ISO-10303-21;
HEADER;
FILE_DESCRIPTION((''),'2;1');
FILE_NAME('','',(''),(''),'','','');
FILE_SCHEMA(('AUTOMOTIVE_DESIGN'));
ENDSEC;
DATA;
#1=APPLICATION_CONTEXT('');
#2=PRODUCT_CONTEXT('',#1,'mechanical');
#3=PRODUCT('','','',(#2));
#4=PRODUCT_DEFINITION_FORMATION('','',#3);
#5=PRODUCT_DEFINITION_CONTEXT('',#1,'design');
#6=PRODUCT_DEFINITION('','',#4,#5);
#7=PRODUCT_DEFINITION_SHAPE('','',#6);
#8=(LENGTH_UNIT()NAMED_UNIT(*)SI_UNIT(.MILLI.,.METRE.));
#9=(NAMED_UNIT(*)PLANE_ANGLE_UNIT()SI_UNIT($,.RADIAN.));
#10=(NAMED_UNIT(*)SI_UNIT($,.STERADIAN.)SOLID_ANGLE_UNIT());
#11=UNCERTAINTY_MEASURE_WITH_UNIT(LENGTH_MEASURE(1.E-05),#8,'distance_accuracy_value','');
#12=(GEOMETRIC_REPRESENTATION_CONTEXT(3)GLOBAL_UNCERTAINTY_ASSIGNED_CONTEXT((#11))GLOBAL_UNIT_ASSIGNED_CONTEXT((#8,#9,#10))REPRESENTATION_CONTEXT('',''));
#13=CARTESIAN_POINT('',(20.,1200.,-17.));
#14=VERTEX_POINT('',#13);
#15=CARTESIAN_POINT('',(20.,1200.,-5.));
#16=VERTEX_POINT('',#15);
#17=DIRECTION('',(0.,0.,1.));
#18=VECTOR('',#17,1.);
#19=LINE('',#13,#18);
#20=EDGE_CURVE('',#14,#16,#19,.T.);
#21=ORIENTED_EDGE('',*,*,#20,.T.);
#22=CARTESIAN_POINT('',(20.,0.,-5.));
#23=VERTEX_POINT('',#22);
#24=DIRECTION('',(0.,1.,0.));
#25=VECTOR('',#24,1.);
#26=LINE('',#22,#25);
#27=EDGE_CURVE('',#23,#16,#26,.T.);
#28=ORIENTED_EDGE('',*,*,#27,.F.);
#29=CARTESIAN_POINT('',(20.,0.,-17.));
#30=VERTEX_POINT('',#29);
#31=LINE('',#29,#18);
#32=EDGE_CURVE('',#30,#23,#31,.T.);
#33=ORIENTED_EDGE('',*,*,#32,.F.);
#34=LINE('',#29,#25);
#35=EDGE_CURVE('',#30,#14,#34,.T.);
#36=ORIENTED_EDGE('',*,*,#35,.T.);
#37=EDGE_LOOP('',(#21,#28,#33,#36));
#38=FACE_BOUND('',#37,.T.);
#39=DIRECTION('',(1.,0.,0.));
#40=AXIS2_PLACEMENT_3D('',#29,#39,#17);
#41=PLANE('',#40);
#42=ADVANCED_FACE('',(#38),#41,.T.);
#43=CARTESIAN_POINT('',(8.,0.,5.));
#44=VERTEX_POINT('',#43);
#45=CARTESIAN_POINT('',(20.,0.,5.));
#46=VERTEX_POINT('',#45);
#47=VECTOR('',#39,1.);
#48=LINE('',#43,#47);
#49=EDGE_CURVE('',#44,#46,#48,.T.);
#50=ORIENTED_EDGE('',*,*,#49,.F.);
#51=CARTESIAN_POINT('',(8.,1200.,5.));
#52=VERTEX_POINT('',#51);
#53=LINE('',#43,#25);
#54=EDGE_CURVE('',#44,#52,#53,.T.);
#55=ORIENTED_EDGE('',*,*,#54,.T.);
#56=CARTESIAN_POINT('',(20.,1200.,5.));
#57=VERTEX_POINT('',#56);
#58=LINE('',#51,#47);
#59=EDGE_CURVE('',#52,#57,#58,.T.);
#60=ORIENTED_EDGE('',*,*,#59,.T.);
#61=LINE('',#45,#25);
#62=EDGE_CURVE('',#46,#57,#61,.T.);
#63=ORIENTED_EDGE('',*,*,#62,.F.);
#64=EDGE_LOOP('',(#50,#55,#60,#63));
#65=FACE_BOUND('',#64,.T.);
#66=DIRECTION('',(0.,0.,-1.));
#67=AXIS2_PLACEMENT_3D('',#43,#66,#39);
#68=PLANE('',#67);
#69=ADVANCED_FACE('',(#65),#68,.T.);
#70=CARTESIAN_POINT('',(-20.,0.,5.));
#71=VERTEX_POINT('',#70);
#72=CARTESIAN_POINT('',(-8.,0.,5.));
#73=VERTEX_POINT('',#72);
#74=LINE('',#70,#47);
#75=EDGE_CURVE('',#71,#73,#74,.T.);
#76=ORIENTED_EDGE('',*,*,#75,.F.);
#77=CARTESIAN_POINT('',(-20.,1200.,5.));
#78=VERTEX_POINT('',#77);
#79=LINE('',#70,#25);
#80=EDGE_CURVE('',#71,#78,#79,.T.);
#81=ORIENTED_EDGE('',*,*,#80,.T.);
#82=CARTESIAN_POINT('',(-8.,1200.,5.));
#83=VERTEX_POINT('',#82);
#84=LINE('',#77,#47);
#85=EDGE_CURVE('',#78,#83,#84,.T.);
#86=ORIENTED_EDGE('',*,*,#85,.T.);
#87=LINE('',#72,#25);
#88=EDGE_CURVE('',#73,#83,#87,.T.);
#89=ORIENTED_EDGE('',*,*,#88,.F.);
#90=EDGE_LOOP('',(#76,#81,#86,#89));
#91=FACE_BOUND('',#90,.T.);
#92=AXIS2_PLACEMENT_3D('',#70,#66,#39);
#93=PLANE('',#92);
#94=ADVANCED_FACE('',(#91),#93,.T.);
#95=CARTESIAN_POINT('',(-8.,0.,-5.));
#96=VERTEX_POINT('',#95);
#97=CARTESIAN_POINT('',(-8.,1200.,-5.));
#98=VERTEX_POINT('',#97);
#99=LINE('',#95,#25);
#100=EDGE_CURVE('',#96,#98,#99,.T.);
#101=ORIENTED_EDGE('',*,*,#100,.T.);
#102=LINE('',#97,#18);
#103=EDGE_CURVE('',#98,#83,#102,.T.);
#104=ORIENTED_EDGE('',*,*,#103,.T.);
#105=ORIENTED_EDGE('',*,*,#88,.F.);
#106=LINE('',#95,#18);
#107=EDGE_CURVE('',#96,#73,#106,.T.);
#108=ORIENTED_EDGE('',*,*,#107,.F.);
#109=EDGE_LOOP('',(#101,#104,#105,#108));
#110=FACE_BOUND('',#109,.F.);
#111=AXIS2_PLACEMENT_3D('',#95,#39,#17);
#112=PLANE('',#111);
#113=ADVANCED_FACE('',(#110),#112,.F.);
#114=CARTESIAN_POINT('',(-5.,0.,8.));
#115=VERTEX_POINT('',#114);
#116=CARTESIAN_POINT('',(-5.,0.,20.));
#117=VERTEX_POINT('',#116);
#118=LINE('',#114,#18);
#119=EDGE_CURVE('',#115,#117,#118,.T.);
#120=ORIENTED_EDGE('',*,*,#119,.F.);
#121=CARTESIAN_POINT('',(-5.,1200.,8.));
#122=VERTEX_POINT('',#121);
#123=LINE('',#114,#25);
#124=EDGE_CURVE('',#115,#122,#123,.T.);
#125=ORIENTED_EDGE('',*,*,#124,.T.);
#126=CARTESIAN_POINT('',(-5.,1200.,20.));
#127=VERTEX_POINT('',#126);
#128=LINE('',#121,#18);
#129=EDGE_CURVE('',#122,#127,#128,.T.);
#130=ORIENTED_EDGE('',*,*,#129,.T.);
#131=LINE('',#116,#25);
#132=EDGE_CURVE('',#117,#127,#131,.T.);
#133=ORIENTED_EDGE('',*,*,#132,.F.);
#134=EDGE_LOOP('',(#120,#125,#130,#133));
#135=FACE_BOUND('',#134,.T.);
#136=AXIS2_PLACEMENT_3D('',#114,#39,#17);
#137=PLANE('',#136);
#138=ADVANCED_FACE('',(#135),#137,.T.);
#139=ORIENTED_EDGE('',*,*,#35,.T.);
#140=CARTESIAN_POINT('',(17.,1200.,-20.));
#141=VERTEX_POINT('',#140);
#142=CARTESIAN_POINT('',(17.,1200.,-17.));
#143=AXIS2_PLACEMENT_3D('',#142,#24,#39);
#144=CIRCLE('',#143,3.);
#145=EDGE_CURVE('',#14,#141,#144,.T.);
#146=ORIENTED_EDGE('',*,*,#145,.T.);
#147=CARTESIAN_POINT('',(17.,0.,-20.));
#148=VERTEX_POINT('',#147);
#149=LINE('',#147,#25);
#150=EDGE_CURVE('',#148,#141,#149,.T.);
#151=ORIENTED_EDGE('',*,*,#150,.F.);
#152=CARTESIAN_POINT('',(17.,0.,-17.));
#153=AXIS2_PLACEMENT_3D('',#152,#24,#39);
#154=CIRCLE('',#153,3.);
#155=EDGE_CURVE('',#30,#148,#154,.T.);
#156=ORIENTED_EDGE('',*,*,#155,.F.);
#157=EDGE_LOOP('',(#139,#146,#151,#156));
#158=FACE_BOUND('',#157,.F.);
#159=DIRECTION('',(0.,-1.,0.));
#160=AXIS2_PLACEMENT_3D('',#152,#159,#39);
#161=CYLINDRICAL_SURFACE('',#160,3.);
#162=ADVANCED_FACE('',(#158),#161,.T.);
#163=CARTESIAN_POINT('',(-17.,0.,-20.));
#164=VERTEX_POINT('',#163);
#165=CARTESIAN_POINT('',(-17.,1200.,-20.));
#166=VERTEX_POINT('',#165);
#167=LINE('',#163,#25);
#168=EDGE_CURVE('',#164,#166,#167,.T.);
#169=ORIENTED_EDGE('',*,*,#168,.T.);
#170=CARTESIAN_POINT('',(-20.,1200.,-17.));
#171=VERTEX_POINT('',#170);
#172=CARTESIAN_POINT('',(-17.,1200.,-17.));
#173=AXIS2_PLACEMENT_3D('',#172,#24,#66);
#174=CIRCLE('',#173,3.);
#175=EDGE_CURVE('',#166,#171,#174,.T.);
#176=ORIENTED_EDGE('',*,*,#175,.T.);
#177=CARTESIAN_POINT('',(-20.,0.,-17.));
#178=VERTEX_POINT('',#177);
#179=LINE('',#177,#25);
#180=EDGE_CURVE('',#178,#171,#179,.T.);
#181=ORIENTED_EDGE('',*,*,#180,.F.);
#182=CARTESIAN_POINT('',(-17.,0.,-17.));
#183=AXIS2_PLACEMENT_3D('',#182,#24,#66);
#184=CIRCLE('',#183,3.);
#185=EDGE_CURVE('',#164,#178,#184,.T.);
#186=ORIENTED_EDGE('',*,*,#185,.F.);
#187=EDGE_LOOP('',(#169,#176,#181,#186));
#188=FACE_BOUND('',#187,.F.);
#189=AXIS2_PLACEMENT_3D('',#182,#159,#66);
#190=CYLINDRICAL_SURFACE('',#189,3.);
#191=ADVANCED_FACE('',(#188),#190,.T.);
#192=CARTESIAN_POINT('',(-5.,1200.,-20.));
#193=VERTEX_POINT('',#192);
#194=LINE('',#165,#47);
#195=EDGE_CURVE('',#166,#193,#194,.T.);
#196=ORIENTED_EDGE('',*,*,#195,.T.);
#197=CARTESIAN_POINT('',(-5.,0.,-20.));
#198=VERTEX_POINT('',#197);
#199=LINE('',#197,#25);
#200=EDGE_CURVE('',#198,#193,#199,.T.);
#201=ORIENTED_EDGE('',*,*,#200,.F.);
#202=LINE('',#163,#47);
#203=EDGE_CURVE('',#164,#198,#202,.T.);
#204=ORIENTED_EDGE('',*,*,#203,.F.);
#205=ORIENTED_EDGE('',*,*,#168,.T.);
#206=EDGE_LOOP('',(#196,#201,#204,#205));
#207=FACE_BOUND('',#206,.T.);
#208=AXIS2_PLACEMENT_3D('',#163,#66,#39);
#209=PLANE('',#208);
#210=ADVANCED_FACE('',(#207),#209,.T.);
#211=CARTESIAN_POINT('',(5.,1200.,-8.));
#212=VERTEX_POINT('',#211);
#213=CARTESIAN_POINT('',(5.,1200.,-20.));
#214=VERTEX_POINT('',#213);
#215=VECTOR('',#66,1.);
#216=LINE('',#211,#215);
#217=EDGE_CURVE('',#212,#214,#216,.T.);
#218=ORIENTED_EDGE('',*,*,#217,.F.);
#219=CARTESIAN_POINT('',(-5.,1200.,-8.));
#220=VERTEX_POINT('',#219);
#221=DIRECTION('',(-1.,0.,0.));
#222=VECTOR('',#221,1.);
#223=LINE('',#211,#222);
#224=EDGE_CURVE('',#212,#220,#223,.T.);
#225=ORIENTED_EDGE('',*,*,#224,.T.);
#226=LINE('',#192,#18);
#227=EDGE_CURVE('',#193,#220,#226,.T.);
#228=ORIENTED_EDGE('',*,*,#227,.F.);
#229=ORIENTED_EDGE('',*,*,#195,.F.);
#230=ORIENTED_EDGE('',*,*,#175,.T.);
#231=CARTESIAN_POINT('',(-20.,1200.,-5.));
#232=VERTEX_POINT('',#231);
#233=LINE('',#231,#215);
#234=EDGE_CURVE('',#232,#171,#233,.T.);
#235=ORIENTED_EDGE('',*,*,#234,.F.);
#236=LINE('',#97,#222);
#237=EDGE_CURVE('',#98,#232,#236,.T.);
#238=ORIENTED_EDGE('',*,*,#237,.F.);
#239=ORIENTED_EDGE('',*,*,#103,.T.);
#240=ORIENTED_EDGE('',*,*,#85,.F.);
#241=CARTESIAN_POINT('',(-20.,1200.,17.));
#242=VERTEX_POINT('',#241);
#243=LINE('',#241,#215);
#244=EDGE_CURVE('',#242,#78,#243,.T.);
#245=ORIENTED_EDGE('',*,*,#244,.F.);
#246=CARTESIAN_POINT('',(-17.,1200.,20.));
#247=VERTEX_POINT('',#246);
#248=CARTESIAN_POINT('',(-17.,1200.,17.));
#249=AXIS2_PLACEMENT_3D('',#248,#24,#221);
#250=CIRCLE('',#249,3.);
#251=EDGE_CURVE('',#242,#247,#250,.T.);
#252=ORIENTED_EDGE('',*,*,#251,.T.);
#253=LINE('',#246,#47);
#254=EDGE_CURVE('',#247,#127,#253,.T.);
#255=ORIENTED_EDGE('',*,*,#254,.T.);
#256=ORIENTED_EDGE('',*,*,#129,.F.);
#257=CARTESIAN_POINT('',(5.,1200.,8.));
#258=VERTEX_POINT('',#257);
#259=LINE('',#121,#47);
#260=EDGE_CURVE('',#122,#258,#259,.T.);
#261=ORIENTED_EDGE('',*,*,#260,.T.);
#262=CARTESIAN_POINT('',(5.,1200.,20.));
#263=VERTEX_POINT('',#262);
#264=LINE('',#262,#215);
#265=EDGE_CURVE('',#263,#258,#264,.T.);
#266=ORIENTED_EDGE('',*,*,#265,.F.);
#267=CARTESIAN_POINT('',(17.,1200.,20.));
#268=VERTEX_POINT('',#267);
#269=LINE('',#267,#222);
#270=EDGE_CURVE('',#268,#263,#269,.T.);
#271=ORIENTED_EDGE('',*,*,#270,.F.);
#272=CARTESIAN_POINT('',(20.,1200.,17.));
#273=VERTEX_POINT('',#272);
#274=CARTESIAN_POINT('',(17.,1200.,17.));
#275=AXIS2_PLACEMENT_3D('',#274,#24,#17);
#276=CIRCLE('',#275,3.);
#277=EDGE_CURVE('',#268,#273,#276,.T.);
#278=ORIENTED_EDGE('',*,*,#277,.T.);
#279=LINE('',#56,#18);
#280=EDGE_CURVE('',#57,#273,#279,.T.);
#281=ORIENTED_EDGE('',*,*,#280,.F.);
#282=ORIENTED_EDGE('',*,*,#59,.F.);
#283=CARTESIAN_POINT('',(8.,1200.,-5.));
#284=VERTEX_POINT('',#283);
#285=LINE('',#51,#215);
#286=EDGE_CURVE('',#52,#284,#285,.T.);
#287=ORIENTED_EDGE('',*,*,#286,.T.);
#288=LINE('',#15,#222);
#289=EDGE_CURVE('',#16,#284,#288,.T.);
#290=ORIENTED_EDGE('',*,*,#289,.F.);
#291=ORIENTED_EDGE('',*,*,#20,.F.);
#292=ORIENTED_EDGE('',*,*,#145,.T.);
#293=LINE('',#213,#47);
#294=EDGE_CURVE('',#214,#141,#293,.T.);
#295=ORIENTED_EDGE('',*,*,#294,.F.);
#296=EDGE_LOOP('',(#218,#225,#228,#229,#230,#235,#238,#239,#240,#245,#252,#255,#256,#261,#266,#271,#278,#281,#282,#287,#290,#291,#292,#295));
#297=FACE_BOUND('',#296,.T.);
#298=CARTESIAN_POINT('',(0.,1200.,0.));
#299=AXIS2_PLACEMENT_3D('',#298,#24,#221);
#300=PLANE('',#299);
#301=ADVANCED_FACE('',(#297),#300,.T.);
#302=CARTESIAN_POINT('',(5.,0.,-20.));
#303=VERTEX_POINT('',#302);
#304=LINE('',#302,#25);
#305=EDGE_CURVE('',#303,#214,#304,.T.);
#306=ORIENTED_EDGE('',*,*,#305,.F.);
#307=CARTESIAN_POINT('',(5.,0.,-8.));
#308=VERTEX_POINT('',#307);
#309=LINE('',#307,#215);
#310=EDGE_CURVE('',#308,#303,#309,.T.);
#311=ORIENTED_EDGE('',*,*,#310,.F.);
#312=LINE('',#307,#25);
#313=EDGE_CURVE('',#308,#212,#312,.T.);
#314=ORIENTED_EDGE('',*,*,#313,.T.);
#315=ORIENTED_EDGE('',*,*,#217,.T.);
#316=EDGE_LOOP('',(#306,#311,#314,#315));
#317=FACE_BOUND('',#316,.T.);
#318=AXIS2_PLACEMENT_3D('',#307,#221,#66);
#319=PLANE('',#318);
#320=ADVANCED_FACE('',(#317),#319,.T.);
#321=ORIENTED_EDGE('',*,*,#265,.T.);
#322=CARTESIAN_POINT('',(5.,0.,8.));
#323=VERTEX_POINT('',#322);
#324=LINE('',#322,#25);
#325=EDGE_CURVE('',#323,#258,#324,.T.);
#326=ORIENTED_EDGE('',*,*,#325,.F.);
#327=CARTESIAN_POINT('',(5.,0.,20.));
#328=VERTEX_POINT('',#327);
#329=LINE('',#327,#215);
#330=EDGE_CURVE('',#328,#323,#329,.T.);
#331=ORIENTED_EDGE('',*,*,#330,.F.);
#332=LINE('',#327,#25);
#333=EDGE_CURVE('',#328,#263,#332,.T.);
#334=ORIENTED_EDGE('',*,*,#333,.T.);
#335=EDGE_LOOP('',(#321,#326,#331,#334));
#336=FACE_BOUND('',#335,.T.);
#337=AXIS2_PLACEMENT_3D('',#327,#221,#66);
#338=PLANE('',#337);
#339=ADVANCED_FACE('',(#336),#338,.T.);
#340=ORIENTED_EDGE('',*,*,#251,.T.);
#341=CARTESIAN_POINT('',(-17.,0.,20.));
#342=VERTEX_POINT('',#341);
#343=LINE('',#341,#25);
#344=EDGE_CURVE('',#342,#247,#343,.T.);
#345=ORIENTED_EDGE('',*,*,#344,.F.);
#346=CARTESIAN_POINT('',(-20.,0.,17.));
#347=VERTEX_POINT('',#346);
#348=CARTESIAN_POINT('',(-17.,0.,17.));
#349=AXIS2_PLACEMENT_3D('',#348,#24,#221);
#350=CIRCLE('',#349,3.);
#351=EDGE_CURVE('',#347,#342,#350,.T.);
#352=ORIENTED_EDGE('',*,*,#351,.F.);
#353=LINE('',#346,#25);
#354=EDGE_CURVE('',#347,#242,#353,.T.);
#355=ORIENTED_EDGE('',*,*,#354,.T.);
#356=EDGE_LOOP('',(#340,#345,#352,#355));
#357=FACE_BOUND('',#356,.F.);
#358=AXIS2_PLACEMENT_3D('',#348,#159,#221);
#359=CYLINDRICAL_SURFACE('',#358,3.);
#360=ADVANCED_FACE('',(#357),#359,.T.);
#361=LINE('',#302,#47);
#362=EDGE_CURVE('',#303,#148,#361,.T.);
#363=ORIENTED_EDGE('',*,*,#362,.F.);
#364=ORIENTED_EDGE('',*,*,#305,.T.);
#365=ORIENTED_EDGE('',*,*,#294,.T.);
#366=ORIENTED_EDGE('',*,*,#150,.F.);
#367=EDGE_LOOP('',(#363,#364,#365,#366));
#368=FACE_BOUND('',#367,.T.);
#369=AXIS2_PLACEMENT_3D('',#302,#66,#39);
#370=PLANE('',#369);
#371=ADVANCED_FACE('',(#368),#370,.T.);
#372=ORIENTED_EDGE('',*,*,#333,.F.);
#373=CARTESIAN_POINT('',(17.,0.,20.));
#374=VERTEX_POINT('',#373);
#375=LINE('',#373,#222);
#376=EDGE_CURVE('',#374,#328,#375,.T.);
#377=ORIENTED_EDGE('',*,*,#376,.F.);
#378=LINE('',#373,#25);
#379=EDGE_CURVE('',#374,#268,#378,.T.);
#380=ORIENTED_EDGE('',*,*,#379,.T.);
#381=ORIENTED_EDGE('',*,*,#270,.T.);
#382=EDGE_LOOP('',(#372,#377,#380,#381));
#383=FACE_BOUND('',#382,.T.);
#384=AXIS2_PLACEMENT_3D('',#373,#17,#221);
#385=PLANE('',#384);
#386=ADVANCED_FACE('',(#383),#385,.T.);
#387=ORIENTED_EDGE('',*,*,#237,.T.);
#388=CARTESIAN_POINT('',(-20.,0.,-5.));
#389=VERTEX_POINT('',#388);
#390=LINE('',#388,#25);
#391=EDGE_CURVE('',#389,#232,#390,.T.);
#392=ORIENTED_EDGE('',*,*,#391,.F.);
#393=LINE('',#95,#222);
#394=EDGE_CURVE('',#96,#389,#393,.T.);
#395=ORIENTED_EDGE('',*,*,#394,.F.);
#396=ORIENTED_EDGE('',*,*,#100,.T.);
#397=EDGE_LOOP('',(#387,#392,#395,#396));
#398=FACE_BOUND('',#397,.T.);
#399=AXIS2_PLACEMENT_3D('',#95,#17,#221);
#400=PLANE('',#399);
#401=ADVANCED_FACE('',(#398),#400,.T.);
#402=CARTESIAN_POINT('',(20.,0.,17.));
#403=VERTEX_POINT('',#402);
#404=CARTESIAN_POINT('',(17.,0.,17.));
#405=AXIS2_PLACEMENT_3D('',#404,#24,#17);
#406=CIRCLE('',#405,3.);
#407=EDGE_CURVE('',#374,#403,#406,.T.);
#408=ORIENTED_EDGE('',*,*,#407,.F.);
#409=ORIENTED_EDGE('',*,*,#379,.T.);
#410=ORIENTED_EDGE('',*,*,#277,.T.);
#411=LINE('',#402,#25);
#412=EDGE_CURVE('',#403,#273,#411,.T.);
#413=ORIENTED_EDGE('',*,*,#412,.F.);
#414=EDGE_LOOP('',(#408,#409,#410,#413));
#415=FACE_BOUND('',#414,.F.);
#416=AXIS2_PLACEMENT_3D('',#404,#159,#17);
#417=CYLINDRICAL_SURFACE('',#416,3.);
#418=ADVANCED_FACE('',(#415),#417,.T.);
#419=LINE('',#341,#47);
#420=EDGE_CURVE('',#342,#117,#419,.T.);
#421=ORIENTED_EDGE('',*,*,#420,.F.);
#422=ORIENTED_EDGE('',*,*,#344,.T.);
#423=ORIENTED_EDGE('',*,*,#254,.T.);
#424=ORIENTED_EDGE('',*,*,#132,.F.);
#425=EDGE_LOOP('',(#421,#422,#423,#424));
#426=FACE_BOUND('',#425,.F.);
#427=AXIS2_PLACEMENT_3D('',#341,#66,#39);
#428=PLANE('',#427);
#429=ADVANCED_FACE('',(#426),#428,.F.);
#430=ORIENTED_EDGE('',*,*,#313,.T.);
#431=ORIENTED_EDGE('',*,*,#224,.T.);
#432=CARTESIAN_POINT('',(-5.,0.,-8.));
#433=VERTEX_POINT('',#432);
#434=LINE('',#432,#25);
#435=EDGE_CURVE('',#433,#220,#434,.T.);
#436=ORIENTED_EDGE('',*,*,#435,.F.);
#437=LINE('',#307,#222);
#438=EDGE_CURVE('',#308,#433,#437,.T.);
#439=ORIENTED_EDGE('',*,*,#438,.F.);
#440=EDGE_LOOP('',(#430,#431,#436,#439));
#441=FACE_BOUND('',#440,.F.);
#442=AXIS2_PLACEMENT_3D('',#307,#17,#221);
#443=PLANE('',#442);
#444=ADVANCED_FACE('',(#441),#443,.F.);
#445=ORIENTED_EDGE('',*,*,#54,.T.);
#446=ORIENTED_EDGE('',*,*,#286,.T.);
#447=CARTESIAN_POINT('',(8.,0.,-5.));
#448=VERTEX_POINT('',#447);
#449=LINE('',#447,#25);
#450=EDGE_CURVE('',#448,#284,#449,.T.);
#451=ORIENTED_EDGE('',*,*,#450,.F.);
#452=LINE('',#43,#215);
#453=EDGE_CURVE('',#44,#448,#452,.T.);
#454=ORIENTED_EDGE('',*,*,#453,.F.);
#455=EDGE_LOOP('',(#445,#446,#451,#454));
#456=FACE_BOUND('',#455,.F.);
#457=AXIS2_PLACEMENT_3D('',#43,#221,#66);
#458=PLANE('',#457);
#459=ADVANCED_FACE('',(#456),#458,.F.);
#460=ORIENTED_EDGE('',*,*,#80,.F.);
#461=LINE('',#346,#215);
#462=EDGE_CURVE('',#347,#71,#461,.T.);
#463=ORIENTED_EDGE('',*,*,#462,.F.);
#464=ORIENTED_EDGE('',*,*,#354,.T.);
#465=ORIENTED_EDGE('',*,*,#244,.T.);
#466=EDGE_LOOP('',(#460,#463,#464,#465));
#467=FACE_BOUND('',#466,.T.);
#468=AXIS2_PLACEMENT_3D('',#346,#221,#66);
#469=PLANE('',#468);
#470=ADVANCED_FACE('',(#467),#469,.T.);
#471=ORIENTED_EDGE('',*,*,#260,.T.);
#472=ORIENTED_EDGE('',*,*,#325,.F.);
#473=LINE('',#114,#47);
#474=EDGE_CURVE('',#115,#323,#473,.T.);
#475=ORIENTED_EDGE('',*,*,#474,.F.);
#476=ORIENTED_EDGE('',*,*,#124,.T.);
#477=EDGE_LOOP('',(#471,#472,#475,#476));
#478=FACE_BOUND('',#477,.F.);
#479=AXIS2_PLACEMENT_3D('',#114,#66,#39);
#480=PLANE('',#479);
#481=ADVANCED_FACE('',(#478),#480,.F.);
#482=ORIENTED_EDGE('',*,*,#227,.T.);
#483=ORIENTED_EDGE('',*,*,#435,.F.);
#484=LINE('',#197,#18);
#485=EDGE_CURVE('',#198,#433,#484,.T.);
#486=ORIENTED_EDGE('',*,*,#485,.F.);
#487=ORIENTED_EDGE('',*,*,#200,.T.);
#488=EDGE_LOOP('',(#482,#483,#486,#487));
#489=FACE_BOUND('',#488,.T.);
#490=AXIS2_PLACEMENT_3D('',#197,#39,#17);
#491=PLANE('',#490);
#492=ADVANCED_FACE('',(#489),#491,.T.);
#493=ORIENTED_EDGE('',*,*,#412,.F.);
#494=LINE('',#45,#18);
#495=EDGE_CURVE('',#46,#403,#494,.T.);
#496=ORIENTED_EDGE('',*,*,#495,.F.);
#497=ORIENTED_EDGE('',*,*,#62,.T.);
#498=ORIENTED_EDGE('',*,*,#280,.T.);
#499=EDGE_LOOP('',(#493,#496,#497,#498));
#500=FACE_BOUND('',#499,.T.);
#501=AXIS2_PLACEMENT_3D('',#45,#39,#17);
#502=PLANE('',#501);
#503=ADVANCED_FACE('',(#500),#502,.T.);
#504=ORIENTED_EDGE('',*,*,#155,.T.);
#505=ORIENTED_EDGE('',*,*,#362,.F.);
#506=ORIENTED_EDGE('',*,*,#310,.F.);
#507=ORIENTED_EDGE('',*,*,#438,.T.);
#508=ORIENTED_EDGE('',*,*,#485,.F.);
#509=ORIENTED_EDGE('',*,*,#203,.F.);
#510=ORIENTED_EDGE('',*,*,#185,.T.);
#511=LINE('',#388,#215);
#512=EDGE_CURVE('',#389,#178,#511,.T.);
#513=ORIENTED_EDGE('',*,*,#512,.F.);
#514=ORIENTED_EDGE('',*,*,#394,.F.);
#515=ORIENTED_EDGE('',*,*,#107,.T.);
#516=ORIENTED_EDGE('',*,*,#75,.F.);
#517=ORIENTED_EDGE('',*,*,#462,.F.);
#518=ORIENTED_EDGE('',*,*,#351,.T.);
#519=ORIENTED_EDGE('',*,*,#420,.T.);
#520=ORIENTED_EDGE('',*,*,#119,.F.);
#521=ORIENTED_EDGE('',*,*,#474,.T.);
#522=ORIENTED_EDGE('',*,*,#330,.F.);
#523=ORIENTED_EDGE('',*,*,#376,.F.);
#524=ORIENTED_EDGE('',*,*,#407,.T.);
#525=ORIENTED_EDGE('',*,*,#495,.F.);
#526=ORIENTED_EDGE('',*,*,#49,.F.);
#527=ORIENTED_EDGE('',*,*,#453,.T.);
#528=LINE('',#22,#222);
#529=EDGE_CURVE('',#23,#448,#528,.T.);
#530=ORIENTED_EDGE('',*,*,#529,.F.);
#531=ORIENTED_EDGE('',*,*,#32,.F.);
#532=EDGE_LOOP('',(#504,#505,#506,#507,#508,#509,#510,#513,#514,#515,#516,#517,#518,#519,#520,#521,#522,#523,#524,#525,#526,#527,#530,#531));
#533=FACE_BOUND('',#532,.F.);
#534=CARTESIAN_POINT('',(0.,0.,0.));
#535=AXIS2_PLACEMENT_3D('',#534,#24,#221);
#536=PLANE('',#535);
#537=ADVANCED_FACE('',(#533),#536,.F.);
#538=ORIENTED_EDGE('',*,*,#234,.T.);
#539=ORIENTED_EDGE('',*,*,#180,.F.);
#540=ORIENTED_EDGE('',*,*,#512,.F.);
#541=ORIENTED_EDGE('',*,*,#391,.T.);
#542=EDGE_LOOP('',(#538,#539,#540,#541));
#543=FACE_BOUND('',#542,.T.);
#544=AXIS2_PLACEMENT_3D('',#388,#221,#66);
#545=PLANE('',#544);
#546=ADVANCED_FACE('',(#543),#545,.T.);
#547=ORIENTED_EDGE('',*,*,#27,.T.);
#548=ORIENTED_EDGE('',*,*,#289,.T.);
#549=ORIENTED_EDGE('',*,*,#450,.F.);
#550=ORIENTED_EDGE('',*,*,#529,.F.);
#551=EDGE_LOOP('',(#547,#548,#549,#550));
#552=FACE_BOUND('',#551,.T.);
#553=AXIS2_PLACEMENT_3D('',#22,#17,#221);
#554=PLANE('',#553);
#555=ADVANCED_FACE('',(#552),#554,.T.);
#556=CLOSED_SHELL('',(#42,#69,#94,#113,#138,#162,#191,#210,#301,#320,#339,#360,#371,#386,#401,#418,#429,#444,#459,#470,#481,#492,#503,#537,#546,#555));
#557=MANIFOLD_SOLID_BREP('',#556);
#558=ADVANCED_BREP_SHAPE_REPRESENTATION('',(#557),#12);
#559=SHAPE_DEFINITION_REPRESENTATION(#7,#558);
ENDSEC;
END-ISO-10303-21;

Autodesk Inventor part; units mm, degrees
ref_plane "YZ Plane" through (0, 0, 0) normal (1, 0, 0) x (0, 1, 0)
ref_plane "XZ Plane" through (0, 0, 0) normal (0, 1, 0) x (-1, 0, 0)
ref_plane "XY Plane" through (0, 0, 0) normal (0, 0, 1) x (1, 0, 0)
sketch "Sketch1" plane through (0, 0, 0) normal (0, 1, 0) x (-1, 0, 0)
  line L0 (-5, 20) -> (-5, 8)
  line L1 (5, -20) -> (5, -8)
  line L2 (20, 5) -> (8, 5)
  line L3 (-20, -5) -> (-8, -5)
  line L4 (8, -5) -> (20, -5)
  line L5 (-8, 5) -> (-20, 5)
  line L6 (-5, -8) -> (-5, -20)
  line L7 (5, 8) -> (5, 20)
  arc A0 (-17, 20) -> (-20, 17) centre (-17, 17) ccw
  arc A1 (-20, -17) -> (-17, -20) centre (-17, -17) ccw
  arc A2 (17, -20) -> (20, -17) centre (17, -17) ccw
  arc A3 (20, 17) -> (17, 20) centre (17, 17) ccw
  line L8 (20, 17) -> (20, 5)
  line L9 (20, -5) -> (20, -17)
  line L10 (17, -20) -> (5, -20)
  line L11 (-5, -20) -> (-17, -20)
  line L12 (-20, -17) -> (-20, -5)
  line L13 (-20, 5) -> (-20, 17)
  line L14 (-17, 20) -> (-5, 20)
  line L15 (17, 20) -> (5, 20)
  line L16 (5, 8) -> (-5, 8)
  line L17 (-8, 5) -> (-8, -5)
  line L18 (-5, -8) -> (5, -8)
  line L19 (8, -5) -> (8, 5)
  point P0 (0, 0)
extrude "Extrusion1" add sketch "Sketch1" along normal blind 1200
properties part number "column"
